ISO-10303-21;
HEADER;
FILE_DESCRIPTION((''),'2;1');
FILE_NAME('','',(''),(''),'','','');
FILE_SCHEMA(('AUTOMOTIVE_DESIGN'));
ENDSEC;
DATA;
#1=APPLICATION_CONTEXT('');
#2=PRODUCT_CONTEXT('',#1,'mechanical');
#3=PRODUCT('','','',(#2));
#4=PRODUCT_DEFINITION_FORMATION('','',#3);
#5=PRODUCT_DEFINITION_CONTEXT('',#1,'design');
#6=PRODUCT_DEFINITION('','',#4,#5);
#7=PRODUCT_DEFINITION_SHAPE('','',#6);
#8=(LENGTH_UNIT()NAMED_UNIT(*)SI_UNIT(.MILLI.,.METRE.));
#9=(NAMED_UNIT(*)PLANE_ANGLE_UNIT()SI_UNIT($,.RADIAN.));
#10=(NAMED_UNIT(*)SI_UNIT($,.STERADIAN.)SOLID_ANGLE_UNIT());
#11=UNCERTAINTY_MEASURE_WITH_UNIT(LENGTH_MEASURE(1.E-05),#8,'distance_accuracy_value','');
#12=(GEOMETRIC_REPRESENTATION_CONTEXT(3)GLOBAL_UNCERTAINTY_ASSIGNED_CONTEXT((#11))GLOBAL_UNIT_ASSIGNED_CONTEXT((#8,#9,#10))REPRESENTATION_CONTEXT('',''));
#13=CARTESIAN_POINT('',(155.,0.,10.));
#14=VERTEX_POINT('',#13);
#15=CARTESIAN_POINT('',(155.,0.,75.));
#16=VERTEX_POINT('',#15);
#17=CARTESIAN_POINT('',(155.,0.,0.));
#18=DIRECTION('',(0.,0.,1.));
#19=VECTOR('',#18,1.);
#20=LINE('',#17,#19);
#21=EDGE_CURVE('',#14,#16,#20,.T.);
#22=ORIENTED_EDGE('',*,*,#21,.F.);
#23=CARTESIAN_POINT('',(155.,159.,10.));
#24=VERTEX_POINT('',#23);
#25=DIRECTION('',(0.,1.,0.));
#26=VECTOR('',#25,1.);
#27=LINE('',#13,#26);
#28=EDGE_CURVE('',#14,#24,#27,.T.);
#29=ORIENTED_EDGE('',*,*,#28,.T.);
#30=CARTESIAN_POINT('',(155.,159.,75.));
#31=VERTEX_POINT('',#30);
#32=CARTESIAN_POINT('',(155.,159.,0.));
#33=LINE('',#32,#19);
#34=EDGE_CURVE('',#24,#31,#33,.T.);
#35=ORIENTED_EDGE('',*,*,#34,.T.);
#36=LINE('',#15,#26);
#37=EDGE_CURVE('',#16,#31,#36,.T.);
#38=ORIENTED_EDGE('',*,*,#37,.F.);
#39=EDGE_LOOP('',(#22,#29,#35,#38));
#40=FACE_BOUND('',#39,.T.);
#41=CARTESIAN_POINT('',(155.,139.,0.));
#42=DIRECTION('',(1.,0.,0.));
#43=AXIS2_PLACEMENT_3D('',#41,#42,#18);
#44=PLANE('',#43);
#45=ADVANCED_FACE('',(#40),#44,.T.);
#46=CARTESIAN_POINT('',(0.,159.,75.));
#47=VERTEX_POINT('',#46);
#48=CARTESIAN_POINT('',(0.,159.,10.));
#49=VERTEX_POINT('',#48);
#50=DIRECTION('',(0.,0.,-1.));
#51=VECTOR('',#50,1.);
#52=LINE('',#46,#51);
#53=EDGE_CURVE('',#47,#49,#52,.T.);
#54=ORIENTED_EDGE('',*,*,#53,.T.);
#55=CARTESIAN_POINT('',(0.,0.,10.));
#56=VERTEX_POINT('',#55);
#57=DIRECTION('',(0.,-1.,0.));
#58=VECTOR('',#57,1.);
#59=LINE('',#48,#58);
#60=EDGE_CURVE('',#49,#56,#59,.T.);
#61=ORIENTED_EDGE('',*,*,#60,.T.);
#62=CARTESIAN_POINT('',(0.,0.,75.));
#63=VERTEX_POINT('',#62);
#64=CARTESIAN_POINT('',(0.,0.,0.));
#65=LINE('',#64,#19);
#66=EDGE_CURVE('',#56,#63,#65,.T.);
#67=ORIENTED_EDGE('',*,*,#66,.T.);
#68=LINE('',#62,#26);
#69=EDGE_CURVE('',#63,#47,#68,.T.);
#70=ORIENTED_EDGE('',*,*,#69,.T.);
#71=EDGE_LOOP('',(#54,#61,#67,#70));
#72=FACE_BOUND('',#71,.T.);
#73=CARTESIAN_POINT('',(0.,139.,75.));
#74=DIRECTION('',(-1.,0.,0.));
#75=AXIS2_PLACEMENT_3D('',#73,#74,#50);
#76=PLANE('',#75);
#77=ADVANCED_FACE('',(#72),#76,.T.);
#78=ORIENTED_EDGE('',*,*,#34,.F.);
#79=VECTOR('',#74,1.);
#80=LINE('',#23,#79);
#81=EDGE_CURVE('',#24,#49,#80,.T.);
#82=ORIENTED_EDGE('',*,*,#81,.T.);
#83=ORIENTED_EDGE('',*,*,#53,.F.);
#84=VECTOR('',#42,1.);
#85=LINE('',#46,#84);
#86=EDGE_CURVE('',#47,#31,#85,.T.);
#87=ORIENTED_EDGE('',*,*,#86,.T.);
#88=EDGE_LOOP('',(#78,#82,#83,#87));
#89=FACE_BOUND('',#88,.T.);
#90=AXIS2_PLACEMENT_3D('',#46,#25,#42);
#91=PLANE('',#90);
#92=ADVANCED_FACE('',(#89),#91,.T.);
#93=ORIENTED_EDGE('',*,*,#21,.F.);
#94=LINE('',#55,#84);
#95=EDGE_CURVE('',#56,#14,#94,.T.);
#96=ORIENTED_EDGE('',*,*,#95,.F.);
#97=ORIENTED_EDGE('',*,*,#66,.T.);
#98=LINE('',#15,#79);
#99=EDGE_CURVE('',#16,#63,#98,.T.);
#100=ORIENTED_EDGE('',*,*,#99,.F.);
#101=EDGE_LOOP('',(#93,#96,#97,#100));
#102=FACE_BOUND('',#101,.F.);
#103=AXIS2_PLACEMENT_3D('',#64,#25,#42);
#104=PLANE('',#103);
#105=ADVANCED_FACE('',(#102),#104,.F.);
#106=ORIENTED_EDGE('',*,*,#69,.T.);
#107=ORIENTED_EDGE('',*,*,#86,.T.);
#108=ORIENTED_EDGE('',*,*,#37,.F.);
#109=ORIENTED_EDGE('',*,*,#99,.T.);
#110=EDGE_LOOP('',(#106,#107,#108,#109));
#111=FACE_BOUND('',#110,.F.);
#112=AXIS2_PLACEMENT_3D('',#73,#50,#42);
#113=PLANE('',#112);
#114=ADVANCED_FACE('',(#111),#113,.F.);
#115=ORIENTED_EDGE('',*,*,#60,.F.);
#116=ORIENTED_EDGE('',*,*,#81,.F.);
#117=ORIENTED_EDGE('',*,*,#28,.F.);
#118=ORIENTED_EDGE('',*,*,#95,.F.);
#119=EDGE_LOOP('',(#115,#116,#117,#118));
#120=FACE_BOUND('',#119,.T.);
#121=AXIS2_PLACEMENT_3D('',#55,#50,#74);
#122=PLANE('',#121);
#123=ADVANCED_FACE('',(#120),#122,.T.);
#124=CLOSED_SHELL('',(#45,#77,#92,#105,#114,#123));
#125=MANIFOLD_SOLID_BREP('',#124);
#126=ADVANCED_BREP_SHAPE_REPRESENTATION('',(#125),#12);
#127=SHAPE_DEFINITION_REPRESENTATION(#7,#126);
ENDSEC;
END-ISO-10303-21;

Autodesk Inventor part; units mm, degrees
ref_plane "YZ Plane" through (0, 0, 0) normal (1, 0, 0) x (0, 1, 0)
ref_plane "XZ Plane" through (0, 0, 0) normal (0, 1, 0) x (-1, 0, 0)
ref_plane "XY Plane" through (0, 0, 0) normal (0, 0, 1) x (1, 0, 0)
sketch "Sketch2" plane through (0, 0, 0) normal (0, 0, 1) x (1, 0, 0)
  line L0 (0, 0) -> (135, 0)
  line L1 (135, 0) -> (135, 139)
  line L2 (135, 139) -> (0, 139)
  line L3 (0, 139) -> (0, 0)
  dimension "d4" = 135
  dimension "d5" = 139
extrude "Extrusion2" add sketch "Sketch2" along normal blind 75
sketch "Sketch3" plane through (135, 0, 0) normal (1, 0, 0) x (0, 0, -1)
  line L0 (0, 139) -> (-75, 139) projected
  line L1 (-75, 139) -> (0, 139)
  line L2 (0, 139) -> (0, 0)
  line L3 (0, 0) -> (-75, 0)
  line L4 (-75, 0) -> (-75, 139)
extrude "Extrusion3" add sketch "Sketch3" along normal blind 20
sketch "Sketch4" plane through (0, 139, 75) normal (0, 1, 0) x (1, 0, 0)
  line L0 (0, 0) -> (155, 0) projected
  line L1 (0, 75) -> (155, 75)
  line L2 (155, 75) -> (155, 0)
  line L3 (155, 0) -> (0, 0)
  line L4 (0, 0) -> (0, 75)
extrude "Extrusion4" add sketch "Sketch4" along normal blind 20
sketch "Sketch5" plane through (0, 0, 0) normal (0, 0, -1) x (-1, 0, 0)
  line L0 (-155, 0) -> (-155, 159) projected
  line L1 (-155, 159) -> (0, 159)
  line L2 (0, 159) -> (0, 0)
  line L3 (0, 0) -> (-155, 0)
  line L4 (-155, 0) -> (-155, 159)
extrude "Extrusion5" cut sketch "Sketch5" against normal blind 10
properties part number "Battery"
